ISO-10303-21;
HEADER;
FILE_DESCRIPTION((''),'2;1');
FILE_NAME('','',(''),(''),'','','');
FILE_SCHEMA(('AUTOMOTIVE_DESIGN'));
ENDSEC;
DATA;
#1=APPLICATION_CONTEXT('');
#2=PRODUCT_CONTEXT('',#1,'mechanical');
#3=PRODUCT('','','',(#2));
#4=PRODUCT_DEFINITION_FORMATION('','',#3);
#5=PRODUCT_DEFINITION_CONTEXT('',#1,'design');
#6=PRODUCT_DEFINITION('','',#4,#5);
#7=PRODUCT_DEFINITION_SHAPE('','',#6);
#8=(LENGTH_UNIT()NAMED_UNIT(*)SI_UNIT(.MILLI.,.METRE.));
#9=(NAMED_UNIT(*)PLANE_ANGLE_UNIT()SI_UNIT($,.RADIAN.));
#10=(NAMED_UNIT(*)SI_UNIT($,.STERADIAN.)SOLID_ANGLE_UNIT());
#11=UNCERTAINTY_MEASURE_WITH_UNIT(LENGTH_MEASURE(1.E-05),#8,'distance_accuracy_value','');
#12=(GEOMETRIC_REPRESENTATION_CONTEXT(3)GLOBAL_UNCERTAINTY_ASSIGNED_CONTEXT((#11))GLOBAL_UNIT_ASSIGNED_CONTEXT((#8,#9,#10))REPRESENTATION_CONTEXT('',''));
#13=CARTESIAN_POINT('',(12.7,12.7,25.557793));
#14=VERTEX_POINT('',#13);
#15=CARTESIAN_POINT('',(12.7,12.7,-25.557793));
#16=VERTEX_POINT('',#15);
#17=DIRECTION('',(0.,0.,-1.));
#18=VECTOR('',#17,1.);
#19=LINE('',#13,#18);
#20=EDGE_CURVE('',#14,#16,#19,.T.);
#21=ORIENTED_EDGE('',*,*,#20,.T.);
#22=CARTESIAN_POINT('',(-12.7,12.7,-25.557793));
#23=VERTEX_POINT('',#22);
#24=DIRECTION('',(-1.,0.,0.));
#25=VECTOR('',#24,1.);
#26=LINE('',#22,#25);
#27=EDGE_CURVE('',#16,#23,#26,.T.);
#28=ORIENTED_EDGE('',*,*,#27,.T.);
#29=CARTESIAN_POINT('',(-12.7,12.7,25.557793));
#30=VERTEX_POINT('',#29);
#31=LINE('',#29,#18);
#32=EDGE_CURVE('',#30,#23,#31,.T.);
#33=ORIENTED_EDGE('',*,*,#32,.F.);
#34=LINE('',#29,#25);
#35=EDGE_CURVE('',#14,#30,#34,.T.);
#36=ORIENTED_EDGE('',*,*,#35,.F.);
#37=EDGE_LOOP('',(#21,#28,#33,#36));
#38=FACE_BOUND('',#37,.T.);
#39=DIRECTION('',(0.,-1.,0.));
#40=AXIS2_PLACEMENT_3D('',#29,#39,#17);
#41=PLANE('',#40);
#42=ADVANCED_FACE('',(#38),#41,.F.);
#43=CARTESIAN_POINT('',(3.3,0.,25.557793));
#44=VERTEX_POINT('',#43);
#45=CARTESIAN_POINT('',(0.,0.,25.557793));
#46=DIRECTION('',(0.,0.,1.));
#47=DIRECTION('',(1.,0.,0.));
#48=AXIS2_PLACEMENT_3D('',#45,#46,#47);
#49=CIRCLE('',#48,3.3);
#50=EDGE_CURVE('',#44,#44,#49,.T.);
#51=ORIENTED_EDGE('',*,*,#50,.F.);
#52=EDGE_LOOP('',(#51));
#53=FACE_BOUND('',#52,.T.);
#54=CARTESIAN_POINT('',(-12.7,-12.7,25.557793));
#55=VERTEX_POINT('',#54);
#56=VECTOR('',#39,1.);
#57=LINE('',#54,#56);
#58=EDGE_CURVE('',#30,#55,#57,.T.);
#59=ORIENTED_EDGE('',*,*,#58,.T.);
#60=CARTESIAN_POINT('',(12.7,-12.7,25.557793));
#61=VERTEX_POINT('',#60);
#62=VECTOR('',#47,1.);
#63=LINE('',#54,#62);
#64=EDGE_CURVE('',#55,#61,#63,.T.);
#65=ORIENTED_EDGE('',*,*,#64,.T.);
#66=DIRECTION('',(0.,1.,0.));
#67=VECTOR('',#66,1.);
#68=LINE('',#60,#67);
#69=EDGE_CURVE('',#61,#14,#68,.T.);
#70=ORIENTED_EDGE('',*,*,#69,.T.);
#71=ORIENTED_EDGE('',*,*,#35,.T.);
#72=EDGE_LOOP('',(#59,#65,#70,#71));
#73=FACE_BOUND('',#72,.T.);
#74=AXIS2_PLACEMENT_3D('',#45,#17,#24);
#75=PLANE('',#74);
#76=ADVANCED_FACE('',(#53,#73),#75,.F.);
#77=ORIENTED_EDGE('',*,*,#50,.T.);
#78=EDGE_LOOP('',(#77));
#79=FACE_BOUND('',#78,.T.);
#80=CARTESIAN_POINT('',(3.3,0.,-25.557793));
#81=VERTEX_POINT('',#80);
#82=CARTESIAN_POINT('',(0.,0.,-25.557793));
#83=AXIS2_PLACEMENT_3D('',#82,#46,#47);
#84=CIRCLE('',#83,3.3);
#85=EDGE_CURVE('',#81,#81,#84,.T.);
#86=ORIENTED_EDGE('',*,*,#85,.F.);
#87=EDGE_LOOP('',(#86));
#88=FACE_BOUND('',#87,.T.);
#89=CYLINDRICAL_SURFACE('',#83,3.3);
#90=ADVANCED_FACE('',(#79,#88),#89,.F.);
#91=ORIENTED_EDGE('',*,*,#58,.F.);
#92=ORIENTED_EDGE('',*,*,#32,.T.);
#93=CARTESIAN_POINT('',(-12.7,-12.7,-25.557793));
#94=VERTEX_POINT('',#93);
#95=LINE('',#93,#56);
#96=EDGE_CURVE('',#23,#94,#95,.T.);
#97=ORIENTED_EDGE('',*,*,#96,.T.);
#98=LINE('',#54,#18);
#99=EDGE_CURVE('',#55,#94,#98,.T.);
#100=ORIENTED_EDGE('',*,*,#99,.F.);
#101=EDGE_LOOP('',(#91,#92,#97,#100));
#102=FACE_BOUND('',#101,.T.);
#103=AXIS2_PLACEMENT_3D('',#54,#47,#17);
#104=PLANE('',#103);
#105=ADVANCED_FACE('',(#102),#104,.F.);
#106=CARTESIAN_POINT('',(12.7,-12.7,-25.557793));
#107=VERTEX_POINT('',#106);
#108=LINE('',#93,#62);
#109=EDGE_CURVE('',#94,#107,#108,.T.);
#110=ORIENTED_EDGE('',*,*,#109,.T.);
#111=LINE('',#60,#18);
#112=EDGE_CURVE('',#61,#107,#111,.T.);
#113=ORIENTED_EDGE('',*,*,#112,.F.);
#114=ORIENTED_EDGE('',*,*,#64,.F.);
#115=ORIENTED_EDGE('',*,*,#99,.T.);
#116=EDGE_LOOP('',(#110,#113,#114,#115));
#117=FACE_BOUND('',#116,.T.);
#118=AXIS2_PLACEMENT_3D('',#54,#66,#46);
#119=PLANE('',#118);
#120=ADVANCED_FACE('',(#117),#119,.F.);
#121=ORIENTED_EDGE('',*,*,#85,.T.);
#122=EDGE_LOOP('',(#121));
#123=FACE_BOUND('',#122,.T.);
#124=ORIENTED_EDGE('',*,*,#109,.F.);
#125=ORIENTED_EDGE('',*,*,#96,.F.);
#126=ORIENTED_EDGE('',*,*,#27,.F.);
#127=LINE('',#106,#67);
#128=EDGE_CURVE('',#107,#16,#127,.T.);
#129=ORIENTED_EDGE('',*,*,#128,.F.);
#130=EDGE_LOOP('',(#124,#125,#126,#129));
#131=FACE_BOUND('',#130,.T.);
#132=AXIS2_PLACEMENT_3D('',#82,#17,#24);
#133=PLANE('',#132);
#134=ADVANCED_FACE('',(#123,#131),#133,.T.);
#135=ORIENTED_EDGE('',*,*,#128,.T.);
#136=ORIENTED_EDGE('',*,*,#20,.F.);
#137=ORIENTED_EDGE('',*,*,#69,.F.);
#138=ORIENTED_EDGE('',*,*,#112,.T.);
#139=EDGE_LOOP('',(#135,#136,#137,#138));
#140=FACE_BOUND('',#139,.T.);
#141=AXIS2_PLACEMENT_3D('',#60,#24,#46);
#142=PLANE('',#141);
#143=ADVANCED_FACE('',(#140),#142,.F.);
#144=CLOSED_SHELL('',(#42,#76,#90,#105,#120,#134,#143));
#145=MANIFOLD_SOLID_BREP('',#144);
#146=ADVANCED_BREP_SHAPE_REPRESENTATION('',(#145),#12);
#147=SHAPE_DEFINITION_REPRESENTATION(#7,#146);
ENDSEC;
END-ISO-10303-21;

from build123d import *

# Parameters (mm, degrees)
SKETCH1_W           = 25.4
SKETCH1_H           = 25.4
BOSS_EXTRUDE1_DEPTH = 25.557792928
SKETCH2_R           = 3.300000004
CUT_EXTRUDE1_DEPTH  = 55.179176049


with BuildPart() as part:
    # Sketch1 → Boss-Extrude1 (new, symmetric)
    with BuildSketch(Plane.XY):
        Rectangle(SKETCH1_W, SKETCH1_H)
    extrude(amount=BOSS_EXTRUDE1_DEPTH, both=True)

    # Sketch2 → Cut-Extrude1 (cut, through all)
    with BuildSketch(Plane.XY.offset(25.557792928)):
        Circle(SKETCH2_R)
    extrude(amount=-CUT_EXTRUDE1_DEPTH, mode=Mode.SUBTRACT)


solid = part.part
